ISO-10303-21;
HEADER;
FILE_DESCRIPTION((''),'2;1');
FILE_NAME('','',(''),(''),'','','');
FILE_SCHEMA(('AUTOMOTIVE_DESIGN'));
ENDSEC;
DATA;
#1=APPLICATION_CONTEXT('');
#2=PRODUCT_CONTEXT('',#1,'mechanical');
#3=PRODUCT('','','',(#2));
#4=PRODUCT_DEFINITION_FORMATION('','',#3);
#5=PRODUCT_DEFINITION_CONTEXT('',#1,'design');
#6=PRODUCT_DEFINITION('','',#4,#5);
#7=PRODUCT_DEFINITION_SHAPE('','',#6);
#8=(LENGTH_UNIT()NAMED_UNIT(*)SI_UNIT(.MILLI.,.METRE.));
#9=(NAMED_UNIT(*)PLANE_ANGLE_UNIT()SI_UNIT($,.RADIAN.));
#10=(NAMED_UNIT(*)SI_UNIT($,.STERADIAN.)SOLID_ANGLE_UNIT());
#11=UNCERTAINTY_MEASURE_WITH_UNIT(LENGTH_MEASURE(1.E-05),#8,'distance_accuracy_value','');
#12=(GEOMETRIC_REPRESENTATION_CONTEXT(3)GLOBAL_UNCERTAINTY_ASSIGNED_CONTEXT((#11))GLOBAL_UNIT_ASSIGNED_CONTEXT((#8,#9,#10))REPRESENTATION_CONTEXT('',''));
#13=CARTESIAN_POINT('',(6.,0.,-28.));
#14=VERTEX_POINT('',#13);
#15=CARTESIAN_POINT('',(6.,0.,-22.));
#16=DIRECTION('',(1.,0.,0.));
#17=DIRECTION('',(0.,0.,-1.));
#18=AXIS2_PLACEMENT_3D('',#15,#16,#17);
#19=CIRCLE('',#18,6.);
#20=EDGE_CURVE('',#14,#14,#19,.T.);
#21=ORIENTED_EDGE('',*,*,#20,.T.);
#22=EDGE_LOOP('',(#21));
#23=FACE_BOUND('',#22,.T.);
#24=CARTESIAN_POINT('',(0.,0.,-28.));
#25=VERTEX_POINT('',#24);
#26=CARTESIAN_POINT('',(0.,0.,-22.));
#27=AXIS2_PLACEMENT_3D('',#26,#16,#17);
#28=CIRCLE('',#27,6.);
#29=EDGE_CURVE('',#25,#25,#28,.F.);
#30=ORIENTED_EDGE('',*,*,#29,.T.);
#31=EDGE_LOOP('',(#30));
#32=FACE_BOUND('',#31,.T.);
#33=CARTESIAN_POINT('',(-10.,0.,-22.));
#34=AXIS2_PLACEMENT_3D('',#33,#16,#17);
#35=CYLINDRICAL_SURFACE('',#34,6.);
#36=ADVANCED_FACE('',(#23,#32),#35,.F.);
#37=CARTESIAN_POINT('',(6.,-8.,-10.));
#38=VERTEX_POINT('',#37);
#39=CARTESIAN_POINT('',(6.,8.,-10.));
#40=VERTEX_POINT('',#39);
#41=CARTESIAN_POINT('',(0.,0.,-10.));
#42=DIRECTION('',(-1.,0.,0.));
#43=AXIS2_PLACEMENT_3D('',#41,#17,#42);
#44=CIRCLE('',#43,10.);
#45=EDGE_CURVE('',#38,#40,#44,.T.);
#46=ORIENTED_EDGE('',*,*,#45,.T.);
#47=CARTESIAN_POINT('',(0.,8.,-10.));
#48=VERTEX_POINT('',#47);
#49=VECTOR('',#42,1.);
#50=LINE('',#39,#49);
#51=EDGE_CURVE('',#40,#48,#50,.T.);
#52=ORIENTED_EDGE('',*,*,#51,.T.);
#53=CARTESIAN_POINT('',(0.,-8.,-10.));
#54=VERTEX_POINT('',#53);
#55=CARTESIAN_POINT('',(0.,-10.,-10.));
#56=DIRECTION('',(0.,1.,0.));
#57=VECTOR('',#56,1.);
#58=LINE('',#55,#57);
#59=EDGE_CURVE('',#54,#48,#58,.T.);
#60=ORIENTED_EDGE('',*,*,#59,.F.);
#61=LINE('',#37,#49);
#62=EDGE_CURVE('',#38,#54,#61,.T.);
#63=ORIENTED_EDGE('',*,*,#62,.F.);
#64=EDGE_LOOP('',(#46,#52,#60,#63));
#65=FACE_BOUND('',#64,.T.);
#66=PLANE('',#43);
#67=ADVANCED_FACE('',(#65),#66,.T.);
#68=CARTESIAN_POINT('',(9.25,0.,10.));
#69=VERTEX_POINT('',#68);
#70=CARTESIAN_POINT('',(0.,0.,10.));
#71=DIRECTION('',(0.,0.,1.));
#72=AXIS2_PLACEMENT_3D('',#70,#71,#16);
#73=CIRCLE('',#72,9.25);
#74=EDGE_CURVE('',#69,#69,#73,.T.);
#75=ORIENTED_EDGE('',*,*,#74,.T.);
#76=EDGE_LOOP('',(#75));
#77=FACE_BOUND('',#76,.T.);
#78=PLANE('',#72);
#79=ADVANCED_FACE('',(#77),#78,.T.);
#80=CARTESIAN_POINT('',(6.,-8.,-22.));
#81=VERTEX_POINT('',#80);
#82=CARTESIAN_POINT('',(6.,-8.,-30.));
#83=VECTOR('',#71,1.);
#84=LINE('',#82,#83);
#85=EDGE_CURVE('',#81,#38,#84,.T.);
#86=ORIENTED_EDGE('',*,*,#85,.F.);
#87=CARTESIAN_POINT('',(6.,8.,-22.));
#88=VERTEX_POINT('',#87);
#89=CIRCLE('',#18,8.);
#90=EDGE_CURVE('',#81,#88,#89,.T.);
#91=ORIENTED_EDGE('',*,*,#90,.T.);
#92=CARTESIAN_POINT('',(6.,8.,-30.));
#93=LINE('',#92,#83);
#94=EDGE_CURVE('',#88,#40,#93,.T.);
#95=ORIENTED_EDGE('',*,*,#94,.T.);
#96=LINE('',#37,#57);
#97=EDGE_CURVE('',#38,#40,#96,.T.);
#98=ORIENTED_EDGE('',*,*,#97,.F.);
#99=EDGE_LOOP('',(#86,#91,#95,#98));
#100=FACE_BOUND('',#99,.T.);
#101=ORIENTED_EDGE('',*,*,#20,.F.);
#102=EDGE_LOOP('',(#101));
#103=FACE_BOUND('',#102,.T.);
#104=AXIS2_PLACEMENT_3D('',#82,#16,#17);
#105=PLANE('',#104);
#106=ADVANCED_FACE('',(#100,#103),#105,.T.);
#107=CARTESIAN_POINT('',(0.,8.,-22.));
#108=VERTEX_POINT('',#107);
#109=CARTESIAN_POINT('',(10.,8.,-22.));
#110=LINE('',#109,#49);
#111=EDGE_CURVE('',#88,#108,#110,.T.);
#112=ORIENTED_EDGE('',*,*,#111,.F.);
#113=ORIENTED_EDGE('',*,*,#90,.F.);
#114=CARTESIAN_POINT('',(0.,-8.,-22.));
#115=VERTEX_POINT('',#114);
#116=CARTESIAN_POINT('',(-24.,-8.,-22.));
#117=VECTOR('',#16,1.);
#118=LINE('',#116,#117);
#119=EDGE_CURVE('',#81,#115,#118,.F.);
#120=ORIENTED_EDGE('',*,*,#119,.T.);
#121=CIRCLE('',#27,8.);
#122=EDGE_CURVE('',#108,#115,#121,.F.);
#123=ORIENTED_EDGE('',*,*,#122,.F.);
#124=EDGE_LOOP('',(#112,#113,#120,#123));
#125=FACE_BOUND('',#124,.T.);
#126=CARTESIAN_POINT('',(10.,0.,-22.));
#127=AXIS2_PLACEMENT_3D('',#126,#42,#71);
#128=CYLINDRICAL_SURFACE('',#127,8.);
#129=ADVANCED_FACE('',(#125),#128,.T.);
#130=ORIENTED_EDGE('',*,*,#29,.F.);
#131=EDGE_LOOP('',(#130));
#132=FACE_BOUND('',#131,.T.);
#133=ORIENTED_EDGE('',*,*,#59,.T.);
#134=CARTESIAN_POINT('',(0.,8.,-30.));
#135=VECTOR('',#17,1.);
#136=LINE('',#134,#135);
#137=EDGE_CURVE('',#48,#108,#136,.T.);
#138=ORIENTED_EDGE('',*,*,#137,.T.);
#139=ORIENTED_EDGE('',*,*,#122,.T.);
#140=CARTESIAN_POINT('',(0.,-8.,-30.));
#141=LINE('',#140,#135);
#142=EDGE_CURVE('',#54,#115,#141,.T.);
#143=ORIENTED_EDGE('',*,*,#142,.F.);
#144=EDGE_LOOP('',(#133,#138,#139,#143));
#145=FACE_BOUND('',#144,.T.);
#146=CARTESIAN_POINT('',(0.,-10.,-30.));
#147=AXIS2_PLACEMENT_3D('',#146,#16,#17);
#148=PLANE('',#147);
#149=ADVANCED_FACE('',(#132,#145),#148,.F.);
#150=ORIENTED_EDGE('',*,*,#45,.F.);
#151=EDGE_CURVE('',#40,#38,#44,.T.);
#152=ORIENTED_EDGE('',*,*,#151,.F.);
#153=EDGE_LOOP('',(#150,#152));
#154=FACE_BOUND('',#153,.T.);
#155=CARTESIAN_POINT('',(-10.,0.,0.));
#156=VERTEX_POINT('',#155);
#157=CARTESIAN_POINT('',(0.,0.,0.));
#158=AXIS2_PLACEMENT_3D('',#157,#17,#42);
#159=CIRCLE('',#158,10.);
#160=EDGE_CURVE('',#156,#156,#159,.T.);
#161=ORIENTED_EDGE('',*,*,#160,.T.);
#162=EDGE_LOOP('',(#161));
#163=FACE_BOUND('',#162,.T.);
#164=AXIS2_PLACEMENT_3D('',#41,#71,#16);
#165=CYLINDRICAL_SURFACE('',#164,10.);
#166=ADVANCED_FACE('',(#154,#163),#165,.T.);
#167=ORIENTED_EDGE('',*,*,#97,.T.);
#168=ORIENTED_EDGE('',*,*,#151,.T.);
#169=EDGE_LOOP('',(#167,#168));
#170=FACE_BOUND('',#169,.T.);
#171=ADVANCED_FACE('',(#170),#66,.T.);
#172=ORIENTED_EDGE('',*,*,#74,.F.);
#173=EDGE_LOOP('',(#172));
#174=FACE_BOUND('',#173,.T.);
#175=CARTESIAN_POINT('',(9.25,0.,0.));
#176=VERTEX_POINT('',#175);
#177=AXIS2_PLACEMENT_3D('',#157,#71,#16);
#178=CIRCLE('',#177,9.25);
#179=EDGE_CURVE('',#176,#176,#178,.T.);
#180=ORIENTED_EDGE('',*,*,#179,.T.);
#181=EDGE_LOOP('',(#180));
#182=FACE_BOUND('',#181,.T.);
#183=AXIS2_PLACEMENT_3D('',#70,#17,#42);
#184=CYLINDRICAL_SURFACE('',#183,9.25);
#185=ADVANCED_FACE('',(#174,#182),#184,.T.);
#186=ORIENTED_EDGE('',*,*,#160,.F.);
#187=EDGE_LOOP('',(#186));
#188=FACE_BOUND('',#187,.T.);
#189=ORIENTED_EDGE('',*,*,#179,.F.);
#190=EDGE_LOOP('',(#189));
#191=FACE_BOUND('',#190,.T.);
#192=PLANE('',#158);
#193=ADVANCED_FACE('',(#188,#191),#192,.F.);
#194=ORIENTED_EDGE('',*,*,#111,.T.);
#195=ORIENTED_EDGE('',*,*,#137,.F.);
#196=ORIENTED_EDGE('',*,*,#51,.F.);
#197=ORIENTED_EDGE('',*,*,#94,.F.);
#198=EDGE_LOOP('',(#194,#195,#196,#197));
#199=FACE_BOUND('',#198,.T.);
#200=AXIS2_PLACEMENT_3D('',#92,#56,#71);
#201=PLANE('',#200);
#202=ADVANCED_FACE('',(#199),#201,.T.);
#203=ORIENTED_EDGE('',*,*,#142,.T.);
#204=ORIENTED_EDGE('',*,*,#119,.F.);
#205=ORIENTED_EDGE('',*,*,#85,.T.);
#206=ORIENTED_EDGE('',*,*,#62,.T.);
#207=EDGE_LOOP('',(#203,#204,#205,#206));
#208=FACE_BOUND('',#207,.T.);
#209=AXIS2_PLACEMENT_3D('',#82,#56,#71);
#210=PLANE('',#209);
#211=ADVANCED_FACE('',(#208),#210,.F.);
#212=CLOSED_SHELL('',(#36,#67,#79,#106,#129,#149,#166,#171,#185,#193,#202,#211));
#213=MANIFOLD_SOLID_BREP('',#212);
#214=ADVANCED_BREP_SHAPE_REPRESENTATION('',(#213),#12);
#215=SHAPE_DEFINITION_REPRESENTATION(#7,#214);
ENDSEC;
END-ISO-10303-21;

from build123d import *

# Parameters (mm, degrees)
SKETCH1_R               = 9.25
BOSS_EXTRUDE1_DEPTH     = 10
SKETCH2_R               = 10
BOSS_EXTRUDE2_DEPTH     = 10
SKETCH3_W               = 12
SKETCH3_H               = 16
BOSS_EXTRUDE3_DEPTH     = 20
CUT_EXTRUDE1_DEPTH      = 5
CUT_EXTRUDE1_DEPTH_BACK = 30
SKETCH4_3_R             = 6
CUT_EXTRUDE2_DEPTH      = 17
SKETCH5_W               = 6
SKETCH5_H               = 20
CUT_EXTRUDE3_DEPTH      = 19


with BuildPart() as part:
    # Sketch1 → Boss-Extrude1 (new body)
    with BuildSketch(Plane.XY):
        Circle(SKETCH1_R)
    extrude(amount=BOSS_EXTRUDE1_DEPTH)

    # Sketch2 → Boss-Extrude2 (add)
    with BuildSketch(Plane(origin=(0, 0, 0), x_dir=(-1, 0, 0), z_dir=(0, 0, -1))):
        Circle(SKETCH2_R)
    extrude(amount=BOSS_EXTRUDE2_DEPTH)

    # Sketch3 → Boss-Extrude3 (add)
    with BuildSketch(Plane(origin=(0, 0, -10), x_dir=(-1, 0, 0), z_dir=(0, 0, -1))):
        Rectangle(SKETCH3_W, SKETCH3_H)
    extrude(amount=BOSS_EXTRUDE3_DEPTH)

    # Sketch4 → Cut-Extrude1 (cut, two sides)
    with BuildSketch(Plane(origin=(6, 0, 0), x_dir=(0, 0, -1), z_dir=(1, 0, 0))) as cut_extrude1_sk:
        with BuildLine():
            Line((30, 8), (22, 8))
            ThreePointArc((22, 8), (27.656854249, 5.656854249), (30, 0))
            Line((30, 0), (30, 8))
        make_face()
        with BuildLine():
            Line((30, -8), (30, 0))
            ThreePointArc((30, 0), (27.656854249, -5.656854249), (22, -8))
            Line((22, -8), (30, -8))
        make_face()
    extrude(amount=CUT_EXTRUDE1_DEPTH, mode=Mode.SUBTRACT)
    extrude(cut_extrude1_sk.sketch, amount=-CUT_EXTRUDE1_DEPTH_BACK, mode=Mode.SUBTRACT)

    # Sketch4<3> → Cut-Extrude2 (cut, through all)
    with BuildSketch(Plane(origin=(6, 0, 0), x_dir=(0, 0, -1), z_dir=(1, 0, 0))):
        with Locations((22, 0)):
            Circle(SKETCH4_3_R)
    extrude(amount=-CUT_EXTRUDE2_DEPTH, mode=Mode.SUBTRACT)

    # Sketch5 → Cut-Extrude3 (cut, through all)
    with BuildSketch(Plane(origin=(0, 8, 0), x_dir=(1, 0, 0), z_dir=(0, 1, 0))):
        with Locations((-3, 20)):
            Rectangle(SKETCH5_W, SKETCH5_H)
    extrude(amount=-CUT_EXTRUDE3_DEPTH, mode=Mode.SUBTRACT)


solid = part.part
